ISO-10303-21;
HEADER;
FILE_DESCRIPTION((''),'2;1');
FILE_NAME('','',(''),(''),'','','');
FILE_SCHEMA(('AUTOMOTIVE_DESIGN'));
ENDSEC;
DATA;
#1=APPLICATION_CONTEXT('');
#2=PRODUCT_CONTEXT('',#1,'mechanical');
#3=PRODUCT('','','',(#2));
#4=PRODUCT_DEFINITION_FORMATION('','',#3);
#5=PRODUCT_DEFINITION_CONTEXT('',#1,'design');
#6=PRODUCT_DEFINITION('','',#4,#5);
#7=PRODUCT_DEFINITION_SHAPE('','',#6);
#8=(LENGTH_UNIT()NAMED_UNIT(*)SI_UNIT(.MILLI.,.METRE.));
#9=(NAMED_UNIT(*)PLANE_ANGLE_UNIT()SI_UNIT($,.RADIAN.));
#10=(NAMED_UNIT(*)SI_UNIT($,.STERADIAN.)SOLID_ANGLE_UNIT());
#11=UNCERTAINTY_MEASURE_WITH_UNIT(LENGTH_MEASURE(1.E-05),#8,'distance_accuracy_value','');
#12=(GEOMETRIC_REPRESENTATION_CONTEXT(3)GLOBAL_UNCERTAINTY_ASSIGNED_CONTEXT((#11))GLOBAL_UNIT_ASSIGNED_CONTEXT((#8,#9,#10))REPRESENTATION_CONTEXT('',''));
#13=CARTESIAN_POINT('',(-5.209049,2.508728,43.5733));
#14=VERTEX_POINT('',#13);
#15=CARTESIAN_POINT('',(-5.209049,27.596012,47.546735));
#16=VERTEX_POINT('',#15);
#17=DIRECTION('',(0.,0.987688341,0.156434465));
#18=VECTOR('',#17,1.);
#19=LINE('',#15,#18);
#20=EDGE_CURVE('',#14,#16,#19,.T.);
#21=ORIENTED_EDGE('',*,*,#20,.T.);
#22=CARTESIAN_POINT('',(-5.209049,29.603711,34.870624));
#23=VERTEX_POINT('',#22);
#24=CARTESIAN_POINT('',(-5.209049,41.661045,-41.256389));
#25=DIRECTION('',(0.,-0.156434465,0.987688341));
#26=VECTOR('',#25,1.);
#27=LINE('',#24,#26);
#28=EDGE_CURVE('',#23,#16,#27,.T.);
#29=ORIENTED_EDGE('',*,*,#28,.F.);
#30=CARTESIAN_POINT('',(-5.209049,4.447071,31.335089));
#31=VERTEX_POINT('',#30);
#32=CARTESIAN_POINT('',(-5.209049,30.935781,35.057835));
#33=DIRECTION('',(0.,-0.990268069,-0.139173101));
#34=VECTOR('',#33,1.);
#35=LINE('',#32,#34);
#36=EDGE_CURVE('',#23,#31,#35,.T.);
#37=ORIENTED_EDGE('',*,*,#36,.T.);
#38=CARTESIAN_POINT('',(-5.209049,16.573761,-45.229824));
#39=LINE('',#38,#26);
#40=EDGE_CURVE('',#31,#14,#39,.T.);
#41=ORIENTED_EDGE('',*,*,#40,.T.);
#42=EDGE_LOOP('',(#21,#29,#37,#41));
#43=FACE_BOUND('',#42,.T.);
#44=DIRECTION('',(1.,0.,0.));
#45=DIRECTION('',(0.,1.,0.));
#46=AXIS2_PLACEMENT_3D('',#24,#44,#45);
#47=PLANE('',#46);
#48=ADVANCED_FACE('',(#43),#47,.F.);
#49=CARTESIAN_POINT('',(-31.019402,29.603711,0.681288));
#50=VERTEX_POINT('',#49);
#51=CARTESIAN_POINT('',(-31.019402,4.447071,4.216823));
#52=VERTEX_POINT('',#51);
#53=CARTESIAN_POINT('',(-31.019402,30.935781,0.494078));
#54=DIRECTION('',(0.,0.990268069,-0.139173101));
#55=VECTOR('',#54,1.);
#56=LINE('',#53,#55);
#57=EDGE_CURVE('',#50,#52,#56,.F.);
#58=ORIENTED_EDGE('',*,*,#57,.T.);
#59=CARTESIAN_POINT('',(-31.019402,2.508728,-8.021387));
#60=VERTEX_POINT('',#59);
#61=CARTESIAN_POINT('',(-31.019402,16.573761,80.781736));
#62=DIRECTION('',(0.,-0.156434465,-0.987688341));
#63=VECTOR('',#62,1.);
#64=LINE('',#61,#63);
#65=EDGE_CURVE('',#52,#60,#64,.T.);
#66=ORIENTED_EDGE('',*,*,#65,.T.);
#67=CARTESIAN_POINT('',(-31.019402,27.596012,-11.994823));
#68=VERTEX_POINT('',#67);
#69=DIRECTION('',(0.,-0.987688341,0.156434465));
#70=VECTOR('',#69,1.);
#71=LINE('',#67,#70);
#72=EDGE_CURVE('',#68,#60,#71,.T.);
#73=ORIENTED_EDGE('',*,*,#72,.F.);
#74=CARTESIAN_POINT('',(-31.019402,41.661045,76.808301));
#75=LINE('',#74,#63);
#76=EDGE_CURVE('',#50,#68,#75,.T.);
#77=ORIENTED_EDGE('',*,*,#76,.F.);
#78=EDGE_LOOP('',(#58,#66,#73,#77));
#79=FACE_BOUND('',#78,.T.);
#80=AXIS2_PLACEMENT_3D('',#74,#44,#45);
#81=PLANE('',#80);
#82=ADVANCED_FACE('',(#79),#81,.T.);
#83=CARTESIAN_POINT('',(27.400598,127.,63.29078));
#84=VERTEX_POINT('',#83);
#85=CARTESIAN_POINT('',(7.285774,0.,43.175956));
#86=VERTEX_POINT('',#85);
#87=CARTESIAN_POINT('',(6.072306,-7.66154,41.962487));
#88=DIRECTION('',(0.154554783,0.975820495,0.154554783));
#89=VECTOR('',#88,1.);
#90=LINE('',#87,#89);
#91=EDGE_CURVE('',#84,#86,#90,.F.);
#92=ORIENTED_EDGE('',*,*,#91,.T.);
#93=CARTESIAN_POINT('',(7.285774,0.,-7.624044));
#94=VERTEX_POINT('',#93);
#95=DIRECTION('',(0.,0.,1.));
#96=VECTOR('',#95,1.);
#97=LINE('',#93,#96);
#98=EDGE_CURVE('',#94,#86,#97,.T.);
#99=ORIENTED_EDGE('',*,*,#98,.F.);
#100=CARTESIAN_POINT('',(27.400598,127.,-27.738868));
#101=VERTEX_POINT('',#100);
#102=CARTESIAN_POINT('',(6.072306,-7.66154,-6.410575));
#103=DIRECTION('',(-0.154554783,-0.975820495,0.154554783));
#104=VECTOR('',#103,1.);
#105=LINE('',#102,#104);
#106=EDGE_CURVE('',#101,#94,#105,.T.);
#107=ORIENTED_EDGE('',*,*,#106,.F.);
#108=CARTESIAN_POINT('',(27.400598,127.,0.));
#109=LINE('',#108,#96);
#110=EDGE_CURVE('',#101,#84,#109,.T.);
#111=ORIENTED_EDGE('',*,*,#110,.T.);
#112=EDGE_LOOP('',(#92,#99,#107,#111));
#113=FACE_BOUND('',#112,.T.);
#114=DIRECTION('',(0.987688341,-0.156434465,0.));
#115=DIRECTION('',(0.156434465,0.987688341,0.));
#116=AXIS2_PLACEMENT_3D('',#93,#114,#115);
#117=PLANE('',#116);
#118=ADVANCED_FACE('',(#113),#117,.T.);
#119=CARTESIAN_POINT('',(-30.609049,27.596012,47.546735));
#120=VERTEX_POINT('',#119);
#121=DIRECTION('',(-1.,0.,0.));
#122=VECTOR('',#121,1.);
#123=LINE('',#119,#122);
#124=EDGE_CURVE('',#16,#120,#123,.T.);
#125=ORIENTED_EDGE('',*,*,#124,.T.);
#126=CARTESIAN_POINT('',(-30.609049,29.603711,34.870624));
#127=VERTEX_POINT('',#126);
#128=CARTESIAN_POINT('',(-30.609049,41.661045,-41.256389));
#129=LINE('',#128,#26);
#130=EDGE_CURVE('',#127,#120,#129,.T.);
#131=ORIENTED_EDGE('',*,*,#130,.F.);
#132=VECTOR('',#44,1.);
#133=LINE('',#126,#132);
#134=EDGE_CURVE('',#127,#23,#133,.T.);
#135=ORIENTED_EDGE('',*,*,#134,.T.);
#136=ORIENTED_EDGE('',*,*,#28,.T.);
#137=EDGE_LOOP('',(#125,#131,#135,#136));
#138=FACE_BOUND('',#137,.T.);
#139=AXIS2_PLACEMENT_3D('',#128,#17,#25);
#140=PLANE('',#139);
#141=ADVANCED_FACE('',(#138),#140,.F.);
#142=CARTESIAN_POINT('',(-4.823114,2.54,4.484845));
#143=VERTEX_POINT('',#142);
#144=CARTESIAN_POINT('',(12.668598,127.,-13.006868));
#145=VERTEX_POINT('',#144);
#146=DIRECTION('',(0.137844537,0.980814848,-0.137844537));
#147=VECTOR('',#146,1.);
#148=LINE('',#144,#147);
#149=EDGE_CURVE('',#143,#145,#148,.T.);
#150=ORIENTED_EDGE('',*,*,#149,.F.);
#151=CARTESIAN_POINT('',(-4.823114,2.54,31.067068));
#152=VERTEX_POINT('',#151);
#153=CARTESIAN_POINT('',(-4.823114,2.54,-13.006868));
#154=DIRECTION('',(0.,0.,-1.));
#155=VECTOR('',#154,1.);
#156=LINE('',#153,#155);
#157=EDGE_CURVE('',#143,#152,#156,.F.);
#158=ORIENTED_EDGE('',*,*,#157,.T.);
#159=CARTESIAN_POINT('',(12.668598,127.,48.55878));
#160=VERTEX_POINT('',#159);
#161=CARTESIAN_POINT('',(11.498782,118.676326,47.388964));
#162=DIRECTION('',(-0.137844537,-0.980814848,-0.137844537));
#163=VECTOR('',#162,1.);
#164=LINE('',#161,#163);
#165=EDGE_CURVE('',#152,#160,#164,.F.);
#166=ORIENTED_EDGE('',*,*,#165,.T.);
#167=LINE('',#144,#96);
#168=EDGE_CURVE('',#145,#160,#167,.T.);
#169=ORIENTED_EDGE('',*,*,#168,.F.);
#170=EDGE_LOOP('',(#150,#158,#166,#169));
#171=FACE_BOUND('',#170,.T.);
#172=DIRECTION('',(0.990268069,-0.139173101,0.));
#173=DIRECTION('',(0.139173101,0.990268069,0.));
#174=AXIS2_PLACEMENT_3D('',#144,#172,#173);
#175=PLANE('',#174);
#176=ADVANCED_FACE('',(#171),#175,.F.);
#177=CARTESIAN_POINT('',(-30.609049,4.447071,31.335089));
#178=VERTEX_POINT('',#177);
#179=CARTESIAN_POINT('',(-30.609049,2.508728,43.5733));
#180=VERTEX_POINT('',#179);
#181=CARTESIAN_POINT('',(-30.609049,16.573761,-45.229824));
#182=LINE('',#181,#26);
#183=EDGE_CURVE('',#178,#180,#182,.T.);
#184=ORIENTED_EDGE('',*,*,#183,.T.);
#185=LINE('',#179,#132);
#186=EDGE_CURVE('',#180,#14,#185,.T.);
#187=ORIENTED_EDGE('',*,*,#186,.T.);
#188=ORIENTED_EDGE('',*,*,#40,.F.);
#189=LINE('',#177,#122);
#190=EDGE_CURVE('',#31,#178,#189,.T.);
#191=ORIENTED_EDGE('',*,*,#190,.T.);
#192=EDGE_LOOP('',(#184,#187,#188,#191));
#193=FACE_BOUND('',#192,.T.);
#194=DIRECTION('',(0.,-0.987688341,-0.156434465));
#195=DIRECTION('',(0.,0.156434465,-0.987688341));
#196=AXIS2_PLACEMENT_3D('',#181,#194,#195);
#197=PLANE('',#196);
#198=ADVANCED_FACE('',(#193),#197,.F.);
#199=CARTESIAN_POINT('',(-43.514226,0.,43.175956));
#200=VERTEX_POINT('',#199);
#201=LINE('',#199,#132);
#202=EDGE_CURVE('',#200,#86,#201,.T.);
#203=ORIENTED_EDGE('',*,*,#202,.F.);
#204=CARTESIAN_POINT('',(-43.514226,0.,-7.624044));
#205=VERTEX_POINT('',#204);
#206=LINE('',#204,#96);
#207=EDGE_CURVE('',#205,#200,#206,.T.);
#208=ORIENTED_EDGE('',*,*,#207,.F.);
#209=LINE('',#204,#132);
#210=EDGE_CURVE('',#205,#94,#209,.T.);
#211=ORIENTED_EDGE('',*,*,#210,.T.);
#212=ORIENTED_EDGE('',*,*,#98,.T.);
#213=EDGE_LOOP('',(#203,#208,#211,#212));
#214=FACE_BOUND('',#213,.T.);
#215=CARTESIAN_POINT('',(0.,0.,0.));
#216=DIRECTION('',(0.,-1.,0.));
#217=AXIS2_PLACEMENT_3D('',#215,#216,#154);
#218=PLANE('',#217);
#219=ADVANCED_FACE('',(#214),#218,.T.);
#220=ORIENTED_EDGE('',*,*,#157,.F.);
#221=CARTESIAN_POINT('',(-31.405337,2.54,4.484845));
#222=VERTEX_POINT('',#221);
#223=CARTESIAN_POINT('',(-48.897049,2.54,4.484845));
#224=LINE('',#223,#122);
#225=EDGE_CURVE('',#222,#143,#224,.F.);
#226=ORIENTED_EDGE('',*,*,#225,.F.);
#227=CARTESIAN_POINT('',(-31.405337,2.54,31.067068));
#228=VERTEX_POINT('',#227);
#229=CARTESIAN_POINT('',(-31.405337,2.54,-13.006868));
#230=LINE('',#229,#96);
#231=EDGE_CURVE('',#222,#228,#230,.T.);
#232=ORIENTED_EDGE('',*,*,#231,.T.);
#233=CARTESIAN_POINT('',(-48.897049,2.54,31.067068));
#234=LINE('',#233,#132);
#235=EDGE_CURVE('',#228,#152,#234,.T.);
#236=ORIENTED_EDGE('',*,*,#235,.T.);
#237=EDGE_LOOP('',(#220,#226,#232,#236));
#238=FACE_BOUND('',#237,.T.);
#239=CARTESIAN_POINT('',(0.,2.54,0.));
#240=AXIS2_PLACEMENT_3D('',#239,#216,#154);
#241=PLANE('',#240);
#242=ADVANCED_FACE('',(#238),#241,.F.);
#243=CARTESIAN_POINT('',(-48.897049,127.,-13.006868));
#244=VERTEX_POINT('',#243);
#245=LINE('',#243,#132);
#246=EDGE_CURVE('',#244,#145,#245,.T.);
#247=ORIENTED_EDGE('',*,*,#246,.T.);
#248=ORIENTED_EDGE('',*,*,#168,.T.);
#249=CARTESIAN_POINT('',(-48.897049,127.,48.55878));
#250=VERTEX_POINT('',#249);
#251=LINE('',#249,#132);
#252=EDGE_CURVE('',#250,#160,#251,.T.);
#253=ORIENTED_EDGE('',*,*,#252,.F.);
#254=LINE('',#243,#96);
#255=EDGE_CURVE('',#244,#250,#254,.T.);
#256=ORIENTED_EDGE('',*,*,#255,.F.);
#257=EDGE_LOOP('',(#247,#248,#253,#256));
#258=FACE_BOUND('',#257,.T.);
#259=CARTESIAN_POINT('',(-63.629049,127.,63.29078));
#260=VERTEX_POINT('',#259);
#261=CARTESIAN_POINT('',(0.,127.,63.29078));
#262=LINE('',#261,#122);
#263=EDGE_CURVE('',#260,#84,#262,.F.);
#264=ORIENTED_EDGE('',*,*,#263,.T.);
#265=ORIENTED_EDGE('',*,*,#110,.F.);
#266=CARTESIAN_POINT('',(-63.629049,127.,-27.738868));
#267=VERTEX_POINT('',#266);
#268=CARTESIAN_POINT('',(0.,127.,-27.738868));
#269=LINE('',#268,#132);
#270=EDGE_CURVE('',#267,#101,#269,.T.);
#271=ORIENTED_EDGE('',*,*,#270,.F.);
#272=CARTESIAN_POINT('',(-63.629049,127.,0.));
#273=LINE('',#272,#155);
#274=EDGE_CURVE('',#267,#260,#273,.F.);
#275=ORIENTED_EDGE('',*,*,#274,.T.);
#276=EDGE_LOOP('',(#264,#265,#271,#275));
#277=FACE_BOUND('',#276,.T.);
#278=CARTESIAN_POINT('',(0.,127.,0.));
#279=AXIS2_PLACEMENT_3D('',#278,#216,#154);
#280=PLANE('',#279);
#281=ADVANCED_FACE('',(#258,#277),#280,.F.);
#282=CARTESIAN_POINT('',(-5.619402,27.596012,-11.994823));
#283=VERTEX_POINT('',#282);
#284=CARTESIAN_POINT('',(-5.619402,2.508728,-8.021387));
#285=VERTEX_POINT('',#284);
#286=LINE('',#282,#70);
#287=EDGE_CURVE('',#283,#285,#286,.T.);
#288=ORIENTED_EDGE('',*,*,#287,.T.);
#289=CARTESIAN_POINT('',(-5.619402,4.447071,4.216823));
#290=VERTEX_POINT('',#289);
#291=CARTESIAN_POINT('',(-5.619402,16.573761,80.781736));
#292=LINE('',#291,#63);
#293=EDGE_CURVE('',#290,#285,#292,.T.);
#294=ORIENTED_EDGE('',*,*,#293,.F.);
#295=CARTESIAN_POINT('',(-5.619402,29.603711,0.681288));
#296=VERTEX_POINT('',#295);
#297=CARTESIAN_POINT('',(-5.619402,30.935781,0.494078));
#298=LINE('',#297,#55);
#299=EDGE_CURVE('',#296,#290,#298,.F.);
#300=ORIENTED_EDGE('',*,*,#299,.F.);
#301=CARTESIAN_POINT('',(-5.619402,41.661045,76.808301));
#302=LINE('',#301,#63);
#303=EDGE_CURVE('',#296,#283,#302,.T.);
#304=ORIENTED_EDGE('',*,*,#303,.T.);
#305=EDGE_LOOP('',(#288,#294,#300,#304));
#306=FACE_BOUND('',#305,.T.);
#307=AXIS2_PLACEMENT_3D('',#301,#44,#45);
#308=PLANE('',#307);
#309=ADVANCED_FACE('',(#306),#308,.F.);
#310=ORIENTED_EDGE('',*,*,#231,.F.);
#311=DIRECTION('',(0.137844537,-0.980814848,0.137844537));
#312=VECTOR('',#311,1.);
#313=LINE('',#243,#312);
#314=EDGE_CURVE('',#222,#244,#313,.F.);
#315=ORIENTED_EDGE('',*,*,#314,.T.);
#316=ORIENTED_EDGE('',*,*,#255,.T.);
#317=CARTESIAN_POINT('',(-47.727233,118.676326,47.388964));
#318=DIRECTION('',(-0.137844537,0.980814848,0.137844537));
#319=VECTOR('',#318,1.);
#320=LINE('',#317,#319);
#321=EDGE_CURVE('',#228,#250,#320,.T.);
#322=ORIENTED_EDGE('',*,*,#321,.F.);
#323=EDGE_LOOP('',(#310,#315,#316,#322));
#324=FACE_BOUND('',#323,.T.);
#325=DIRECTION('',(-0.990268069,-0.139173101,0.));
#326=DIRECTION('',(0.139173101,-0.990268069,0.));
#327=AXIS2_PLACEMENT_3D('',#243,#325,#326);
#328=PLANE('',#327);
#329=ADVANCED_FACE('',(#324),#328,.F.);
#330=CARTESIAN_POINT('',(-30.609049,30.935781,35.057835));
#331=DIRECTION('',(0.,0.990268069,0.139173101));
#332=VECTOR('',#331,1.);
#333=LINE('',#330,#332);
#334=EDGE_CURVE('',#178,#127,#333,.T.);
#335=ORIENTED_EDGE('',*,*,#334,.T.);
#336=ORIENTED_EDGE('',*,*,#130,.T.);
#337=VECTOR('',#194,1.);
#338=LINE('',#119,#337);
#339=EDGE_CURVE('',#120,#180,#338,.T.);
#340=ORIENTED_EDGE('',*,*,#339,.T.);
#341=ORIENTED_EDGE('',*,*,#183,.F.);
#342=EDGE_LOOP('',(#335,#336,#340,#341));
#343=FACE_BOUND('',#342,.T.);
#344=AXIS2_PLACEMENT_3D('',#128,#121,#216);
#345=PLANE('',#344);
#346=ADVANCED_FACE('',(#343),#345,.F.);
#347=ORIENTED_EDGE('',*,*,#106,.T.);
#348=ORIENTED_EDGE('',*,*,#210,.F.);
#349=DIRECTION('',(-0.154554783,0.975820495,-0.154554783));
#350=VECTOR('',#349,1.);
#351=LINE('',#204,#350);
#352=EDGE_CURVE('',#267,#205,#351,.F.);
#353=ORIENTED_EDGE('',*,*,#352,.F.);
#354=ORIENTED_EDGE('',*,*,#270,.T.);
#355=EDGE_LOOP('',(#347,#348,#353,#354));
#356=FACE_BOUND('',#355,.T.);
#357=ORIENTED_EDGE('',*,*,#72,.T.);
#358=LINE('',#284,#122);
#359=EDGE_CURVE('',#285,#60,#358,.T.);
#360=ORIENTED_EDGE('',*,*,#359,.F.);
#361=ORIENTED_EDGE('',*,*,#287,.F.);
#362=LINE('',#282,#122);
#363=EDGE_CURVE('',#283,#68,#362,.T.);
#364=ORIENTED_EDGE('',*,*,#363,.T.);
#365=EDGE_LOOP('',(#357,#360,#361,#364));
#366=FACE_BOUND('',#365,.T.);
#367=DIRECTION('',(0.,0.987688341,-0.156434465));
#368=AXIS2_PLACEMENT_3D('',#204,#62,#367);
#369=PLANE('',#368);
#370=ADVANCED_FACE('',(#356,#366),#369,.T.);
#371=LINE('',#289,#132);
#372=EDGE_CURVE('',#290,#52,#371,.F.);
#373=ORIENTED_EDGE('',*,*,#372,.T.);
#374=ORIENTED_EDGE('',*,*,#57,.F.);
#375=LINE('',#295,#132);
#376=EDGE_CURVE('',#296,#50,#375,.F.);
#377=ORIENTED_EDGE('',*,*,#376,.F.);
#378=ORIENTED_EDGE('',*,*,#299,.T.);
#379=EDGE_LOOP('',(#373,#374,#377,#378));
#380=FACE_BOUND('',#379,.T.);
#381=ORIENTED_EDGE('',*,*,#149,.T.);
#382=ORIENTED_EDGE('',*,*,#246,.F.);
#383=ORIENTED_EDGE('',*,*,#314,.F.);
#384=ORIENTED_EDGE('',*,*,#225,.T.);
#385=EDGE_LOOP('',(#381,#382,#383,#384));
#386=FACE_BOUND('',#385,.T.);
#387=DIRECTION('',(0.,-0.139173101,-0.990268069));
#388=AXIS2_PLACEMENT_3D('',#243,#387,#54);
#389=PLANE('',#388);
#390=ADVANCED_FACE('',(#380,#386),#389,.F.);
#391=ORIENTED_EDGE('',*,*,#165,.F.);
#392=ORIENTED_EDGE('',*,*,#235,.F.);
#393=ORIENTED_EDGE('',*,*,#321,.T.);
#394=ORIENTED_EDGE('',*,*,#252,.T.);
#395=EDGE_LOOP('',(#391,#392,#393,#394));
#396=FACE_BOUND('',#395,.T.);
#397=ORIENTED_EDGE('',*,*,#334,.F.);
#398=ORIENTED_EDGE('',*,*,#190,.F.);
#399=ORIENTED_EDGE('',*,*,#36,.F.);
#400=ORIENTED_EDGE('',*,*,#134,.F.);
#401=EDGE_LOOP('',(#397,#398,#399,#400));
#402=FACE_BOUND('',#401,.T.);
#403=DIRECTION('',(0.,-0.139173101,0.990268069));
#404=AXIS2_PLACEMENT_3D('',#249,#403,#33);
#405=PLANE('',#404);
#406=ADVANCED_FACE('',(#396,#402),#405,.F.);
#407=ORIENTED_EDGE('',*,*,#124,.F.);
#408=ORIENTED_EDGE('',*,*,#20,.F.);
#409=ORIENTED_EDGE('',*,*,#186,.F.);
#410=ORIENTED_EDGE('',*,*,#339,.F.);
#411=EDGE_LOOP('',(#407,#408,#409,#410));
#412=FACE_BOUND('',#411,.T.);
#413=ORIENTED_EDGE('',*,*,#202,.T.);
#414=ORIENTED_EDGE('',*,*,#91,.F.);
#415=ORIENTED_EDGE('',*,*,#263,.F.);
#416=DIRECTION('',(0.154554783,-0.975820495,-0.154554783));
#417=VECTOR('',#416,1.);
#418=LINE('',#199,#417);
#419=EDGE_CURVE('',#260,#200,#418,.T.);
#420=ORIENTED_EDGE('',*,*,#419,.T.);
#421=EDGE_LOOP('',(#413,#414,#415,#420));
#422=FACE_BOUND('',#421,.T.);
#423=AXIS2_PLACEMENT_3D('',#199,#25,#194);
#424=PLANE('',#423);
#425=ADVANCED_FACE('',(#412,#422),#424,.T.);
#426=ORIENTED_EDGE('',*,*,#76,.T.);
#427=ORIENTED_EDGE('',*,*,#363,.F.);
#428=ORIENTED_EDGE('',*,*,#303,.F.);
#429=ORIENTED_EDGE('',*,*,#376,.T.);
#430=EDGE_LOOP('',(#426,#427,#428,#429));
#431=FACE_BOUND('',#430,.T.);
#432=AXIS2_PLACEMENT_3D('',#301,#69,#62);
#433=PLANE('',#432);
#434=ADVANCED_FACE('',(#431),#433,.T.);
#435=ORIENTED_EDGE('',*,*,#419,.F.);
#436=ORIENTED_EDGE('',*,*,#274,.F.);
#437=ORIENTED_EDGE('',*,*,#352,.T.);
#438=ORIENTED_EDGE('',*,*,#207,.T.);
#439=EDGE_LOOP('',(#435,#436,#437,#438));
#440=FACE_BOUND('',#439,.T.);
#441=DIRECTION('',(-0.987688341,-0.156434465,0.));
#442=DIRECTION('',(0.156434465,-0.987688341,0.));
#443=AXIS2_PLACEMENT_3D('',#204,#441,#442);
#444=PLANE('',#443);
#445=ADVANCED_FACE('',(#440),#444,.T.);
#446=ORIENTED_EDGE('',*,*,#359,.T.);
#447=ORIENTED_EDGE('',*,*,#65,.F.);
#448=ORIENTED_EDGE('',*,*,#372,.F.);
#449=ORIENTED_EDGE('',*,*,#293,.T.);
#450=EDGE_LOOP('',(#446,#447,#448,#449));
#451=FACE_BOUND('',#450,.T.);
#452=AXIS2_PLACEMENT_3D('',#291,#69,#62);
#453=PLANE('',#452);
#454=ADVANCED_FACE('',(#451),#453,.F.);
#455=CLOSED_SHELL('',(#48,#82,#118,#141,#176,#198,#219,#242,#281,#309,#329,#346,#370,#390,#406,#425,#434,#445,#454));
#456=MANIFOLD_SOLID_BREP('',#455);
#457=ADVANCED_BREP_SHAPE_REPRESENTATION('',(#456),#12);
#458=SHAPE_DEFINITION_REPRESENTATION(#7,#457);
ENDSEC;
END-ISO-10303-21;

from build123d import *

# Parameters (mm, degrees)
SKETCH1_W           = 50.8
SKETCH1_H           = 50.8
BOSS_EXTRUDE1_DEPTH = 127
BOSS_EXTRUDE1_DRAFT = -9
SKETCH2_W           = 61.565647843
SKETCH2_H           = 61.565647842
CUT_EXTRUDE1_DEPTH  = 124.46
CUT_EXTRUDE1_DRAFT  = -8
CUT_EXTRUDE2_REACH  = 165.697
SKETCH3_W           = 25.4
SKETCH3_H           = 25.4
CUT_EXTRUDE3_REACH  = 161.627
SKETCH4_W           = 25.4
SKETCH4_H           = 25.4


with BuildPart() as part:
    # Sketch1 → Boss-Extrude1 (with draft: the straight prism first)
    with BuildSketch(Plane(origin=(0, 0, 0), x_dir=(1, 0, 0), z_dir=(0, 1, 0))):
        with Locations((-18.114225515, -17.77595618)):
            Rectangle(SKETCH1_W, SKETCH1_H)
    extrude(amount=BOSS_EXTRUDE1_DEPTH)
    # Boss-Extrude1: the draft: its side faces are tilted about the plane it starts from
    boss_extrude1_sides = [part.faces().sort_by_distance(p)[0] for p in [
        (-43.514225515, 63.5, 17.77595618),
        (-18.114225515, 63.5, 43.17595618),
        (7.285774485, 63.5, 17.77595618),
        (-18.114225515, 63.5, -7.62404382),
    ]]
    draft(boss_extrude1_sides, Plane(origin=(0, 0, 0), x_dir=(1, 0, 0), z_dir=(0, 1, 0)), BOSS_EXTRUDE1_DRAFT)


with BuildPart() as cut_extrude1_tool:
    # Sketch2 → Cut-Extrude1 (with draft: the straight prism first)
    with BuildSketch(Plane(origin=(0, 127, 0), x_dir=(1, 0, 0), z_dir=(0, 1, 0))):
        with Locations((-18.114225515, -17.77595618)):
            Rectangle(SKETCH2_W, SKETCH2_H)
    extrude(amount=-CUT_EXTRUDE1_DEPTH)
    # Cut-Extrude1: the draft: its side faces are tilted about the plane it starts from
    cut_extrude1_sides = [cut_extrude1_tool.faces().sort_by_distance(p)[0] for p in [
        (-48.897049437, 64.77, 17.77595618),
        (-18.114225515, 64.77, 48.558780101),
        (12.668598406, 64.77, 17.77595618),
        (-18.114225515, 64.77, -13.006867741),
    ]]
    draft(cut_extrude1_sides, Plane(origin=(0, 127, 0), x_dir=(1, 0, 0), z_dir=(0, 1, 0)), CUT_EXTRUDE1_DRAFT)


with BuildPart() as part_1:
    add(part.part)

    # Cut-Extrude1: cut by cut_extrude1_tool
    add(cut_extrude1_tool.part, mode=Mode.SUBTRACT)

    # Cut-Extrude2: up to this plane
    cut_extrude2_end = Plane(origin=(-48.897049437, 127, 48.558780101), z_dir=(0, -0.1391731009600655, 0.9902680687415704))
    # Sketch3 → Cut-Extrude2 (cut, up to the surface)
    with BuildSketch(Plane(origin=(0, -6.671052104, 42.119365326), x_dir=(1, 0, 0), z_dir=(0, -0.15643446504023092, 0.9876883405951379)), mode=Mode.PRIVATE) as cut_extrude2_sk1:
        with Locations((-17.909049437, 21.994207608)):
            Rectangle(SKETCH3_W, SKETCH3_H)
    cut_extrude2_tool1 = split(extrude(cut_extrude2_sk1.sketch, amount=-CUT_EXTRUDE2_REACH, mode=Mode.PRIVATE), bisect_by=cut_extrude2_end, keep=Keep.BOTH, mode=Mode.PRIVATE)
    add(cut_extrude2_tool1.solids().sort_by_distance((-17.909049, 15.05237, 45.560017))[0], mode=Mode.SUBTRACT)

    # Cut-Extrude3: up to this plane
    cut_extrude3_end = Plane(origin=(-48.897049437, 127, -13.006867741), z_dir=(0, -0.1391731009600655, -0.9902680687415704))
    # Sketch4 → Cut-Extrude3 (cut, up to the surface)
    with BuildSketch(Plane(origin=(0, -1.177979553, -7.437470188), x_dir=(-1, 0, 0), z_dir=(0, -0.15643446504023092, -0.9876883405951379)), mode=Mode.PRIVATE) as cut_extrude3_sk1:
        with Locations((18.319401594, 16.432663216)):
            Rectangle(SKETCH4_W, SKETCH4_H)
    cut_extrude3_tool1 = split(extrude(cut_extrude3_sk1.sketch, amount=-CUT_EXTRUDE3_REACH, mode=Mode.PRIVATE), bisect_by=cut_extrude3_end, keep=Keep.BOTH, mode=Mode.PRIVATE)
    add(cut_extrude3_tool1.solids().sort_by_distance((-18.319402, 15.05237, -10.008105))[0], mode=Mode.SUBTRACT)


solid = part_1.part
